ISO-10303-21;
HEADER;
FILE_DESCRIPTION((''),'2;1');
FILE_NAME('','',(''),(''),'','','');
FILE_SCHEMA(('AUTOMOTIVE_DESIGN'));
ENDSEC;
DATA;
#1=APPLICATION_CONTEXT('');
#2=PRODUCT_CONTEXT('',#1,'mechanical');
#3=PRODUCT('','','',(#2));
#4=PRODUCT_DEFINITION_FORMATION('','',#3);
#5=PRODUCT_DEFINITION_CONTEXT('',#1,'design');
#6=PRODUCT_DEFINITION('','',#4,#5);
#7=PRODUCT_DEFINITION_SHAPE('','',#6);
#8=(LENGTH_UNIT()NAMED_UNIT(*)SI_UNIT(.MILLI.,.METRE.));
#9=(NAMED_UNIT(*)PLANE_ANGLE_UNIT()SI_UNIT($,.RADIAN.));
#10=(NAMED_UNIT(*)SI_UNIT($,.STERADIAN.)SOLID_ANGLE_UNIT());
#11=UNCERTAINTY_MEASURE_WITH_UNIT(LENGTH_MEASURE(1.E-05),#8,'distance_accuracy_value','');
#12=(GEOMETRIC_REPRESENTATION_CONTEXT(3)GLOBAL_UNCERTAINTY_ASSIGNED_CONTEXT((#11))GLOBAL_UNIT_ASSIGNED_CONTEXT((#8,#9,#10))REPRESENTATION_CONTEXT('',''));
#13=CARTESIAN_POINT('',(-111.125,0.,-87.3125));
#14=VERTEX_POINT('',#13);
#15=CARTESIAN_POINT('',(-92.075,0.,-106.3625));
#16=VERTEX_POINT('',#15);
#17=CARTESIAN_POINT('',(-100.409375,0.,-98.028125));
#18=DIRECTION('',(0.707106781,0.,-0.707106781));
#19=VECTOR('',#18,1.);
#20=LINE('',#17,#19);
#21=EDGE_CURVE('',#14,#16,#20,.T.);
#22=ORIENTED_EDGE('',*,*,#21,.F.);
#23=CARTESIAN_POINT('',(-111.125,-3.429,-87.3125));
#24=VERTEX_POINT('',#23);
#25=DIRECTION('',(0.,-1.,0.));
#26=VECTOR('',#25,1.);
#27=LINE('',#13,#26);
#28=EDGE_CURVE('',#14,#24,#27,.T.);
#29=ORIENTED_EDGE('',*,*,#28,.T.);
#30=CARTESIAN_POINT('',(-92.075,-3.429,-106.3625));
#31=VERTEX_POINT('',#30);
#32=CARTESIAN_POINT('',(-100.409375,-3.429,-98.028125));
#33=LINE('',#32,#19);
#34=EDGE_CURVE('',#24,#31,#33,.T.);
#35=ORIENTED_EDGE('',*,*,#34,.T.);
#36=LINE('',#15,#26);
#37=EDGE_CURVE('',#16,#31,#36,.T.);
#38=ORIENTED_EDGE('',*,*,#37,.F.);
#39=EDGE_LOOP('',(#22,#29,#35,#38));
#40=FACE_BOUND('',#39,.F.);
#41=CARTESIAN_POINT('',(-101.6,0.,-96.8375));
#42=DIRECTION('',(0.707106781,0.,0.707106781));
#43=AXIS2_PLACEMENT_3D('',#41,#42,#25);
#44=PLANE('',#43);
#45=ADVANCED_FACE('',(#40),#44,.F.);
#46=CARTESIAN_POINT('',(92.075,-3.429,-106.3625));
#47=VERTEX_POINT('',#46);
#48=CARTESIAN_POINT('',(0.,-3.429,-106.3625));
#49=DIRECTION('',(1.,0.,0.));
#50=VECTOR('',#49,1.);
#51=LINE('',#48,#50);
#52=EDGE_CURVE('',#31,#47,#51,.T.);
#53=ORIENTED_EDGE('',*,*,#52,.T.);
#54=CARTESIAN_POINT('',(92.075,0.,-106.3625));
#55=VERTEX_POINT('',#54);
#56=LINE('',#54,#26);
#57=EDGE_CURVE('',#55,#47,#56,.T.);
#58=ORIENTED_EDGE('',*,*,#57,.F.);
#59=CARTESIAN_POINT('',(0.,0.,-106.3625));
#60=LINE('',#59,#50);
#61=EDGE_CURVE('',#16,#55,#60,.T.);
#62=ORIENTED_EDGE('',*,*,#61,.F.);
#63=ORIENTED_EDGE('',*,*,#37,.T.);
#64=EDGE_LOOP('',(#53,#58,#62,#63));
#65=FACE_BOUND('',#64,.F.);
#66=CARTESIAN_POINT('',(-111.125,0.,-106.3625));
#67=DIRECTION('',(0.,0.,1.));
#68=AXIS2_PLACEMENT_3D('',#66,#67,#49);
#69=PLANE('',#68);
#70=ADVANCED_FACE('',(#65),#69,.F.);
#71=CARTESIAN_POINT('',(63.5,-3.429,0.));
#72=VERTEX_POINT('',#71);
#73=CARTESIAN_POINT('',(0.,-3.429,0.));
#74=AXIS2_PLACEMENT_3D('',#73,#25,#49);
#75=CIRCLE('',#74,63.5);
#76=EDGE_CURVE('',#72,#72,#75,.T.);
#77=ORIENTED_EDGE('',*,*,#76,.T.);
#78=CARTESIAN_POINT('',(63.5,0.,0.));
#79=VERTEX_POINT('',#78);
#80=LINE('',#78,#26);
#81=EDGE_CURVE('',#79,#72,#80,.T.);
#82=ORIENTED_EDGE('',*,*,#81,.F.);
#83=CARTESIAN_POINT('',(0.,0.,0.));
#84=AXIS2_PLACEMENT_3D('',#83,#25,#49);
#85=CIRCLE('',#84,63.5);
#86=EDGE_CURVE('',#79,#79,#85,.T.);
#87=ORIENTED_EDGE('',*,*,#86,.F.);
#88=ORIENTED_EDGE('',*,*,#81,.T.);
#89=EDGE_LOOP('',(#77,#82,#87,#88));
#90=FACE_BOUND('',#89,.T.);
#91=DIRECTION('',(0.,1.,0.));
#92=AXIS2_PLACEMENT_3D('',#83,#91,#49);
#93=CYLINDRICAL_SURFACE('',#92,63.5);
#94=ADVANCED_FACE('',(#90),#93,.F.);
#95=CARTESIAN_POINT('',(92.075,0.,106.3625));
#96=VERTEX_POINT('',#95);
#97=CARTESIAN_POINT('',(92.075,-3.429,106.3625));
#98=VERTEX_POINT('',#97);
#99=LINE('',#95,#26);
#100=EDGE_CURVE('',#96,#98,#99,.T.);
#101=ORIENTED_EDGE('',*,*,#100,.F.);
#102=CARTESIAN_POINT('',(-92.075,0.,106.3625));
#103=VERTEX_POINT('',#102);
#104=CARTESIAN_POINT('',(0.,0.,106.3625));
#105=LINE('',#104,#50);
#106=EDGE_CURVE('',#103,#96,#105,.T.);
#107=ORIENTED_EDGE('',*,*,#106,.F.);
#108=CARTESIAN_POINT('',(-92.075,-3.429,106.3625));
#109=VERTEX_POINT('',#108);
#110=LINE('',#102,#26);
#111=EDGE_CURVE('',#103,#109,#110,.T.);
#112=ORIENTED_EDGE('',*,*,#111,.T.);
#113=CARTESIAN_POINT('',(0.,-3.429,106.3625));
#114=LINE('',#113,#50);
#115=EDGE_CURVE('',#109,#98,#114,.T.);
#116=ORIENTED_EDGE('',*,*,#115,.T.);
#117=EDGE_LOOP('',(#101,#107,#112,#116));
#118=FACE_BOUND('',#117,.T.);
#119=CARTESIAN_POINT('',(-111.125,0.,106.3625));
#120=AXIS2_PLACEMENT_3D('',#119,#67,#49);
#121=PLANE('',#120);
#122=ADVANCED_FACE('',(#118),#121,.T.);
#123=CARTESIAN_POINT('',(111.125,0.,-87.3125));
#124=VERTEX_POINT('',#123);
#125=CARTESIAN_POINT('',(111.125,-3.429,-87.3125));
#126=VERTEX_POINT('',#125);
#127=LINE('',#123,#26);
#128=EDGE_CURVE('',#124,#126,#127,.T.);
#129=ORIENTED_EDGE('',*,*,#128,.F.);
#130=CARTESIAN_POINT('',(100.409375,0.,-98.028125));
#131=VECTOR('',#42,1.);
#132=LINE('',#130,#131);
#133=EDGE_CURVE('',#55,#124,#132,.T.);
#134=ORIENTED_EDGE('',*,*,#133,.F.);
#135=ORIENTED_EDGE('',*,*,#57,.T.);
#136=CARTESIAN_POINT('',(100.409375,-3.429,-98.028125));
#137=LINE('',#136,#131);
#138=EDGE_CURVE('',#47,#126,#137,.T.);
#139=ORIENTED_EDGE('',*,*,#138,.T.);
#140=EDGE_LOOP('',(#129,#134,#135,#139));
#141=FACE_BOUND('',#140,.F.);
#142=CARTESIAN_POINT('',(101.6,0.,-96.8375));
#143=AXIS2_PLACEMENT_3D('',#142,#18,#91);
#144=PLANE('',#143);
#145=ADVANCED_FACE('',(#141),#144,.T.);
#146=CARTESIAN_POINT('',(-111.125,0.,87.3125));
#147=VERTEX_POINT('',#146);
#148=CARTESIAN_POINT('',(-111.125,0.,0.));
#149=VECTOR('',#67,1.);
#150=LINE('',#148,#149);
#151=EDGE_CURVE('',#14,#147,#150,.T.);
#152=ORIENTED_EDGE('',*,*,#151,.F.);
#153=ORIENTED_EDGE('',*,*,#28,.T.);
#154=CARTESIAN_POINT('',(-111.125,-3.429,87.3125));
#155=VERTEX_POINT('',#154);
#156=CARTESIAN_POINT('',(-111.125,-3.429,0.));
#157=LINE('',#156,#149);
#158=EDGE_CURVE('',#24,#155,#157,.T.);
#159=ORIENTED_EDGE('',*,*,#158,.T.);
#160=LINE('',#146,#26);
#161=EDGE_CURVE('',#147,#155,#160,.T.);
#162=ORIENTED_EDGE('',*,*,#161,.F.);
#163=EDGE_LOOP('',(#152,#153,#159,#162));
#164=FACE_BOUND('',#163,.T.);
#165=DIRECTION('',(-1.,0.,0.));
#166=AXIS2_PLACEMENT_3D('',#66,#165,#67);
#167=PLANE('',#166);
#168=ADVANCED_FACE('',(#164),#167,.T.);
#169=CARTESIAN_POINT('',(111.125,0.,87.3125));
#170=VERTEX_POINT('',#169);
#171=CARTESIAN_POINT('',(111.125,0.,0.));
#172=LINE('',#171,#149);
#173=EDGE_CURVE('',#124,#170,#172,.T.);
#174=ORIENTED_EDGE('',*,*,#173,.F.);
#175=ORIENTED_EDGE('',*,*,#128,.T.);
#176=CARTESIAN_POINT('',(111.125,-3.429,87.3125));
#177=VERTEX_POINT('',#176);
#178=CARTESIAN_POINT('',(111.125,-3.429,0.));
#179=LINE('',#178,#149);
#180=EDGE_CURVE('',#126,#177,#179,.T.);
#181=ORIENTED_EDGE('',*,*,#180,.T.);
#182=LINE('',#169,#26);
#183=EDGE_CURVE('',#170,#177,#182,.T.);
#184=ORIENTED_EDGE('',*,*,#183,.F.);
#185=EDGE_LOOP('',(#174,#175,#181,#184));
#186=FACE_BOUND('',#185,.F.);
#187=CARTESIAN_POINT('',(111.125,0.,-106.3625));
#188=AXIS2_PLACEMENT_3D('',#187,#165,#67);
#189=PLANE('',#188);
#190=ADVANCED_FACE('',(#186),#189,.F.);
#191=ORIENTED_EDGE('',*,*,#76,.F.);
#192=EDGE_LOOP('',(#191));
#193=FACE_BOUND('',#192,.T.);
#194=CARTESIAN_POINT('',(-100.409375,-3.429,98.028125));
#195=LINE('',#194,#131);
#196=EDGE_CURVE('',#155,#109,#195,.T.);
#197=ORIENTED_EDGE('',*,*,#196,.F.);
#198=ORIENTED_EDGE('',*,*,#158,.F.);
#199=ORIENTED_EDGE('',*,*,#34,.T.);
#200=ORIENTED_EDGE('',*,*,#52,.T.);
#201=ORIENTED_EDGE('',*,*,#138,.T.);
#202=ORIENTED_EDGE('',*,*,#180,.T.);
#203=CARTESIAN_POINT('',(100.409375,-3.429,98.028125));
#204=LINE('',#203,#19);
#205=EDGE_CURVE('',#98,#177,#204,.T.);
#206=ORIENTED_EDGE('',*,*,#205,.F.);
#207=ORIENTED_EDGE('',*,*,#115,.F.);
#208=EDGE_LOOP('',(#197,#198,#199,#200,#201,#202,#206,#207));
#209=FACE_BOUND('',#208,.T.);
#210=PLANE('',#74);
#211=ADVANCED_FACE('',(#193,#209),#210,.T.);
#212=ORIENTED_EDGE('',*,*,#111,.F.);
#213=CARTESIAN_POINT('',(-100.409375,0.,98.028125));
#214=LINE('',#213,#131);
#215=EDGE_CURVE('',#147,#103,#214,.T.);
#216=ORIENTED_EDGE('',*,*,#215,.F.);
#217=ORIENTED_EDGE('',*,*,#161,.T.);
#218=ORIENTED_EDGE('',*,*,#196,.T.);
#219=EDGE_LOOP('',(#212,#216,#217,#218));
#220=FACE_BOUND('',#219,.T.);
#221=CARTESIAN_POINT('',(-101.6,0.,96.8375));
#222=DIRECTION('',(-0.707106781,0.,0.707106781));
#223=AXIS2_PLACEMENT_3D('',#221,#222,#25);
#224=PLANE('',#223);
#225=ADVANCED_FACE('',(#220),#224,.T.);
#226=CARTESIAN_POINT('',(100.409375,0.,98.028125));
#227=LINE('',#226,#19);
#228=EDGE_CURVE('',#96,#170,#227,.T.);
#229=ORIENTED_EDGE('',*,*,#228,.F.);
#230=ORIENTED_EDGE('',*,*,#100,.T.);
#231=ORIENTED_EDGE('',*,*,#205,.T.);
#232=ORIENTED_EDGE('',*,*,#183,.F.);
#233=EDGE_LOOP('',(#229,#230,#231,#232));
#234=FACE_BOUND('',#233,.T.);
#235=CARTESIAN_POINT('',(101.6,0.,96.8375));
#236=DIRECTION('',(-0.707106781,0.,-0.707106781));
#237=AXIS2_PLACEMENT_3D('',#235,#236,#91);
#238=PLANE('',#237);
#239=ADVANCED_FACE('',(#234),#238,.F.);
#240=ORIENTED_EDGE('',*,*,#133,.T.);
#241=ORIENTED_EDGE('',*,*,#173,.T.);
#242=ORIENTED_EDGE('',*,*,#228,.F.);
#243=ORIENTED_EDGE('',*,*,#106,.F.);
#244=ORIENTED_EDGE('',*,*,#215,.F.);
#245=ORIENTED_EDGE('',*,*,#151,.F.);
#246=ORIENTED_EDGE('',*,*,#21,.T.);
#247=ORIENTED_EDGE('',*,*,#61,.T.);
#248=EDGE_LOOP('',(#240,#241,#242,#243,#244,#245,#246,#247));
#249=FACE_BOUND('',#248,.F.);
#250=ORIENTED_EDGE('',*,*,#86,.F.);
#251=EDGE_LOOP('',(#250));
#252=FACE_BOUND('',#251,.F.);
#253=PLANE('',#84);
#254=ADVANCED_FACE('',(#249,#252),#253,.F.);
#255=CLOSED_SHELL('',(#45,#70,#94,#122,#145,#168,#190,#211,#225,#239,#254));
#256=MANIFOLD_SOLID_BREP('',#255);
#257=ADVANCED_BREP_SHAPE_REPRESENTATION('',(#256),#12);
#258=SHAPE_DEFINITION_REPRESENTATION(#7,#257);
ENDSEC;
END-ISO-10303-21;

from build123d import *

# Parameters (mm, degrees)
F0_W     = 222.25
F0_H     = 212.725
F0_R     = 63.5
F1_DEPTH = 3.429
F2_SIZE  = 19.05


with BuildPart() as f1:
    # F0 (on Front) → F1 (new body)
    with BuildSketch(Plane.XZ):
        Rectangle(F0_W, F0_H)
        Circle(F0_R, mode=Mode.SUBTRACT)
    extrude(amount=F1_DEPTH)

    # F2
    f2_edges = [f1.edges().sort_by_distance(p)[0] for p in [
        (-111.125, -1.7145, 106.3625),
        (111.125, -1.7145, 106.3625),
        (-111.125, -1.7145, -106.3625),
        (111.125, -1.7145, -106.3625),
    ]]
    chamfer(f2_edges, length=F2_SIZE)


solid = f1.part
